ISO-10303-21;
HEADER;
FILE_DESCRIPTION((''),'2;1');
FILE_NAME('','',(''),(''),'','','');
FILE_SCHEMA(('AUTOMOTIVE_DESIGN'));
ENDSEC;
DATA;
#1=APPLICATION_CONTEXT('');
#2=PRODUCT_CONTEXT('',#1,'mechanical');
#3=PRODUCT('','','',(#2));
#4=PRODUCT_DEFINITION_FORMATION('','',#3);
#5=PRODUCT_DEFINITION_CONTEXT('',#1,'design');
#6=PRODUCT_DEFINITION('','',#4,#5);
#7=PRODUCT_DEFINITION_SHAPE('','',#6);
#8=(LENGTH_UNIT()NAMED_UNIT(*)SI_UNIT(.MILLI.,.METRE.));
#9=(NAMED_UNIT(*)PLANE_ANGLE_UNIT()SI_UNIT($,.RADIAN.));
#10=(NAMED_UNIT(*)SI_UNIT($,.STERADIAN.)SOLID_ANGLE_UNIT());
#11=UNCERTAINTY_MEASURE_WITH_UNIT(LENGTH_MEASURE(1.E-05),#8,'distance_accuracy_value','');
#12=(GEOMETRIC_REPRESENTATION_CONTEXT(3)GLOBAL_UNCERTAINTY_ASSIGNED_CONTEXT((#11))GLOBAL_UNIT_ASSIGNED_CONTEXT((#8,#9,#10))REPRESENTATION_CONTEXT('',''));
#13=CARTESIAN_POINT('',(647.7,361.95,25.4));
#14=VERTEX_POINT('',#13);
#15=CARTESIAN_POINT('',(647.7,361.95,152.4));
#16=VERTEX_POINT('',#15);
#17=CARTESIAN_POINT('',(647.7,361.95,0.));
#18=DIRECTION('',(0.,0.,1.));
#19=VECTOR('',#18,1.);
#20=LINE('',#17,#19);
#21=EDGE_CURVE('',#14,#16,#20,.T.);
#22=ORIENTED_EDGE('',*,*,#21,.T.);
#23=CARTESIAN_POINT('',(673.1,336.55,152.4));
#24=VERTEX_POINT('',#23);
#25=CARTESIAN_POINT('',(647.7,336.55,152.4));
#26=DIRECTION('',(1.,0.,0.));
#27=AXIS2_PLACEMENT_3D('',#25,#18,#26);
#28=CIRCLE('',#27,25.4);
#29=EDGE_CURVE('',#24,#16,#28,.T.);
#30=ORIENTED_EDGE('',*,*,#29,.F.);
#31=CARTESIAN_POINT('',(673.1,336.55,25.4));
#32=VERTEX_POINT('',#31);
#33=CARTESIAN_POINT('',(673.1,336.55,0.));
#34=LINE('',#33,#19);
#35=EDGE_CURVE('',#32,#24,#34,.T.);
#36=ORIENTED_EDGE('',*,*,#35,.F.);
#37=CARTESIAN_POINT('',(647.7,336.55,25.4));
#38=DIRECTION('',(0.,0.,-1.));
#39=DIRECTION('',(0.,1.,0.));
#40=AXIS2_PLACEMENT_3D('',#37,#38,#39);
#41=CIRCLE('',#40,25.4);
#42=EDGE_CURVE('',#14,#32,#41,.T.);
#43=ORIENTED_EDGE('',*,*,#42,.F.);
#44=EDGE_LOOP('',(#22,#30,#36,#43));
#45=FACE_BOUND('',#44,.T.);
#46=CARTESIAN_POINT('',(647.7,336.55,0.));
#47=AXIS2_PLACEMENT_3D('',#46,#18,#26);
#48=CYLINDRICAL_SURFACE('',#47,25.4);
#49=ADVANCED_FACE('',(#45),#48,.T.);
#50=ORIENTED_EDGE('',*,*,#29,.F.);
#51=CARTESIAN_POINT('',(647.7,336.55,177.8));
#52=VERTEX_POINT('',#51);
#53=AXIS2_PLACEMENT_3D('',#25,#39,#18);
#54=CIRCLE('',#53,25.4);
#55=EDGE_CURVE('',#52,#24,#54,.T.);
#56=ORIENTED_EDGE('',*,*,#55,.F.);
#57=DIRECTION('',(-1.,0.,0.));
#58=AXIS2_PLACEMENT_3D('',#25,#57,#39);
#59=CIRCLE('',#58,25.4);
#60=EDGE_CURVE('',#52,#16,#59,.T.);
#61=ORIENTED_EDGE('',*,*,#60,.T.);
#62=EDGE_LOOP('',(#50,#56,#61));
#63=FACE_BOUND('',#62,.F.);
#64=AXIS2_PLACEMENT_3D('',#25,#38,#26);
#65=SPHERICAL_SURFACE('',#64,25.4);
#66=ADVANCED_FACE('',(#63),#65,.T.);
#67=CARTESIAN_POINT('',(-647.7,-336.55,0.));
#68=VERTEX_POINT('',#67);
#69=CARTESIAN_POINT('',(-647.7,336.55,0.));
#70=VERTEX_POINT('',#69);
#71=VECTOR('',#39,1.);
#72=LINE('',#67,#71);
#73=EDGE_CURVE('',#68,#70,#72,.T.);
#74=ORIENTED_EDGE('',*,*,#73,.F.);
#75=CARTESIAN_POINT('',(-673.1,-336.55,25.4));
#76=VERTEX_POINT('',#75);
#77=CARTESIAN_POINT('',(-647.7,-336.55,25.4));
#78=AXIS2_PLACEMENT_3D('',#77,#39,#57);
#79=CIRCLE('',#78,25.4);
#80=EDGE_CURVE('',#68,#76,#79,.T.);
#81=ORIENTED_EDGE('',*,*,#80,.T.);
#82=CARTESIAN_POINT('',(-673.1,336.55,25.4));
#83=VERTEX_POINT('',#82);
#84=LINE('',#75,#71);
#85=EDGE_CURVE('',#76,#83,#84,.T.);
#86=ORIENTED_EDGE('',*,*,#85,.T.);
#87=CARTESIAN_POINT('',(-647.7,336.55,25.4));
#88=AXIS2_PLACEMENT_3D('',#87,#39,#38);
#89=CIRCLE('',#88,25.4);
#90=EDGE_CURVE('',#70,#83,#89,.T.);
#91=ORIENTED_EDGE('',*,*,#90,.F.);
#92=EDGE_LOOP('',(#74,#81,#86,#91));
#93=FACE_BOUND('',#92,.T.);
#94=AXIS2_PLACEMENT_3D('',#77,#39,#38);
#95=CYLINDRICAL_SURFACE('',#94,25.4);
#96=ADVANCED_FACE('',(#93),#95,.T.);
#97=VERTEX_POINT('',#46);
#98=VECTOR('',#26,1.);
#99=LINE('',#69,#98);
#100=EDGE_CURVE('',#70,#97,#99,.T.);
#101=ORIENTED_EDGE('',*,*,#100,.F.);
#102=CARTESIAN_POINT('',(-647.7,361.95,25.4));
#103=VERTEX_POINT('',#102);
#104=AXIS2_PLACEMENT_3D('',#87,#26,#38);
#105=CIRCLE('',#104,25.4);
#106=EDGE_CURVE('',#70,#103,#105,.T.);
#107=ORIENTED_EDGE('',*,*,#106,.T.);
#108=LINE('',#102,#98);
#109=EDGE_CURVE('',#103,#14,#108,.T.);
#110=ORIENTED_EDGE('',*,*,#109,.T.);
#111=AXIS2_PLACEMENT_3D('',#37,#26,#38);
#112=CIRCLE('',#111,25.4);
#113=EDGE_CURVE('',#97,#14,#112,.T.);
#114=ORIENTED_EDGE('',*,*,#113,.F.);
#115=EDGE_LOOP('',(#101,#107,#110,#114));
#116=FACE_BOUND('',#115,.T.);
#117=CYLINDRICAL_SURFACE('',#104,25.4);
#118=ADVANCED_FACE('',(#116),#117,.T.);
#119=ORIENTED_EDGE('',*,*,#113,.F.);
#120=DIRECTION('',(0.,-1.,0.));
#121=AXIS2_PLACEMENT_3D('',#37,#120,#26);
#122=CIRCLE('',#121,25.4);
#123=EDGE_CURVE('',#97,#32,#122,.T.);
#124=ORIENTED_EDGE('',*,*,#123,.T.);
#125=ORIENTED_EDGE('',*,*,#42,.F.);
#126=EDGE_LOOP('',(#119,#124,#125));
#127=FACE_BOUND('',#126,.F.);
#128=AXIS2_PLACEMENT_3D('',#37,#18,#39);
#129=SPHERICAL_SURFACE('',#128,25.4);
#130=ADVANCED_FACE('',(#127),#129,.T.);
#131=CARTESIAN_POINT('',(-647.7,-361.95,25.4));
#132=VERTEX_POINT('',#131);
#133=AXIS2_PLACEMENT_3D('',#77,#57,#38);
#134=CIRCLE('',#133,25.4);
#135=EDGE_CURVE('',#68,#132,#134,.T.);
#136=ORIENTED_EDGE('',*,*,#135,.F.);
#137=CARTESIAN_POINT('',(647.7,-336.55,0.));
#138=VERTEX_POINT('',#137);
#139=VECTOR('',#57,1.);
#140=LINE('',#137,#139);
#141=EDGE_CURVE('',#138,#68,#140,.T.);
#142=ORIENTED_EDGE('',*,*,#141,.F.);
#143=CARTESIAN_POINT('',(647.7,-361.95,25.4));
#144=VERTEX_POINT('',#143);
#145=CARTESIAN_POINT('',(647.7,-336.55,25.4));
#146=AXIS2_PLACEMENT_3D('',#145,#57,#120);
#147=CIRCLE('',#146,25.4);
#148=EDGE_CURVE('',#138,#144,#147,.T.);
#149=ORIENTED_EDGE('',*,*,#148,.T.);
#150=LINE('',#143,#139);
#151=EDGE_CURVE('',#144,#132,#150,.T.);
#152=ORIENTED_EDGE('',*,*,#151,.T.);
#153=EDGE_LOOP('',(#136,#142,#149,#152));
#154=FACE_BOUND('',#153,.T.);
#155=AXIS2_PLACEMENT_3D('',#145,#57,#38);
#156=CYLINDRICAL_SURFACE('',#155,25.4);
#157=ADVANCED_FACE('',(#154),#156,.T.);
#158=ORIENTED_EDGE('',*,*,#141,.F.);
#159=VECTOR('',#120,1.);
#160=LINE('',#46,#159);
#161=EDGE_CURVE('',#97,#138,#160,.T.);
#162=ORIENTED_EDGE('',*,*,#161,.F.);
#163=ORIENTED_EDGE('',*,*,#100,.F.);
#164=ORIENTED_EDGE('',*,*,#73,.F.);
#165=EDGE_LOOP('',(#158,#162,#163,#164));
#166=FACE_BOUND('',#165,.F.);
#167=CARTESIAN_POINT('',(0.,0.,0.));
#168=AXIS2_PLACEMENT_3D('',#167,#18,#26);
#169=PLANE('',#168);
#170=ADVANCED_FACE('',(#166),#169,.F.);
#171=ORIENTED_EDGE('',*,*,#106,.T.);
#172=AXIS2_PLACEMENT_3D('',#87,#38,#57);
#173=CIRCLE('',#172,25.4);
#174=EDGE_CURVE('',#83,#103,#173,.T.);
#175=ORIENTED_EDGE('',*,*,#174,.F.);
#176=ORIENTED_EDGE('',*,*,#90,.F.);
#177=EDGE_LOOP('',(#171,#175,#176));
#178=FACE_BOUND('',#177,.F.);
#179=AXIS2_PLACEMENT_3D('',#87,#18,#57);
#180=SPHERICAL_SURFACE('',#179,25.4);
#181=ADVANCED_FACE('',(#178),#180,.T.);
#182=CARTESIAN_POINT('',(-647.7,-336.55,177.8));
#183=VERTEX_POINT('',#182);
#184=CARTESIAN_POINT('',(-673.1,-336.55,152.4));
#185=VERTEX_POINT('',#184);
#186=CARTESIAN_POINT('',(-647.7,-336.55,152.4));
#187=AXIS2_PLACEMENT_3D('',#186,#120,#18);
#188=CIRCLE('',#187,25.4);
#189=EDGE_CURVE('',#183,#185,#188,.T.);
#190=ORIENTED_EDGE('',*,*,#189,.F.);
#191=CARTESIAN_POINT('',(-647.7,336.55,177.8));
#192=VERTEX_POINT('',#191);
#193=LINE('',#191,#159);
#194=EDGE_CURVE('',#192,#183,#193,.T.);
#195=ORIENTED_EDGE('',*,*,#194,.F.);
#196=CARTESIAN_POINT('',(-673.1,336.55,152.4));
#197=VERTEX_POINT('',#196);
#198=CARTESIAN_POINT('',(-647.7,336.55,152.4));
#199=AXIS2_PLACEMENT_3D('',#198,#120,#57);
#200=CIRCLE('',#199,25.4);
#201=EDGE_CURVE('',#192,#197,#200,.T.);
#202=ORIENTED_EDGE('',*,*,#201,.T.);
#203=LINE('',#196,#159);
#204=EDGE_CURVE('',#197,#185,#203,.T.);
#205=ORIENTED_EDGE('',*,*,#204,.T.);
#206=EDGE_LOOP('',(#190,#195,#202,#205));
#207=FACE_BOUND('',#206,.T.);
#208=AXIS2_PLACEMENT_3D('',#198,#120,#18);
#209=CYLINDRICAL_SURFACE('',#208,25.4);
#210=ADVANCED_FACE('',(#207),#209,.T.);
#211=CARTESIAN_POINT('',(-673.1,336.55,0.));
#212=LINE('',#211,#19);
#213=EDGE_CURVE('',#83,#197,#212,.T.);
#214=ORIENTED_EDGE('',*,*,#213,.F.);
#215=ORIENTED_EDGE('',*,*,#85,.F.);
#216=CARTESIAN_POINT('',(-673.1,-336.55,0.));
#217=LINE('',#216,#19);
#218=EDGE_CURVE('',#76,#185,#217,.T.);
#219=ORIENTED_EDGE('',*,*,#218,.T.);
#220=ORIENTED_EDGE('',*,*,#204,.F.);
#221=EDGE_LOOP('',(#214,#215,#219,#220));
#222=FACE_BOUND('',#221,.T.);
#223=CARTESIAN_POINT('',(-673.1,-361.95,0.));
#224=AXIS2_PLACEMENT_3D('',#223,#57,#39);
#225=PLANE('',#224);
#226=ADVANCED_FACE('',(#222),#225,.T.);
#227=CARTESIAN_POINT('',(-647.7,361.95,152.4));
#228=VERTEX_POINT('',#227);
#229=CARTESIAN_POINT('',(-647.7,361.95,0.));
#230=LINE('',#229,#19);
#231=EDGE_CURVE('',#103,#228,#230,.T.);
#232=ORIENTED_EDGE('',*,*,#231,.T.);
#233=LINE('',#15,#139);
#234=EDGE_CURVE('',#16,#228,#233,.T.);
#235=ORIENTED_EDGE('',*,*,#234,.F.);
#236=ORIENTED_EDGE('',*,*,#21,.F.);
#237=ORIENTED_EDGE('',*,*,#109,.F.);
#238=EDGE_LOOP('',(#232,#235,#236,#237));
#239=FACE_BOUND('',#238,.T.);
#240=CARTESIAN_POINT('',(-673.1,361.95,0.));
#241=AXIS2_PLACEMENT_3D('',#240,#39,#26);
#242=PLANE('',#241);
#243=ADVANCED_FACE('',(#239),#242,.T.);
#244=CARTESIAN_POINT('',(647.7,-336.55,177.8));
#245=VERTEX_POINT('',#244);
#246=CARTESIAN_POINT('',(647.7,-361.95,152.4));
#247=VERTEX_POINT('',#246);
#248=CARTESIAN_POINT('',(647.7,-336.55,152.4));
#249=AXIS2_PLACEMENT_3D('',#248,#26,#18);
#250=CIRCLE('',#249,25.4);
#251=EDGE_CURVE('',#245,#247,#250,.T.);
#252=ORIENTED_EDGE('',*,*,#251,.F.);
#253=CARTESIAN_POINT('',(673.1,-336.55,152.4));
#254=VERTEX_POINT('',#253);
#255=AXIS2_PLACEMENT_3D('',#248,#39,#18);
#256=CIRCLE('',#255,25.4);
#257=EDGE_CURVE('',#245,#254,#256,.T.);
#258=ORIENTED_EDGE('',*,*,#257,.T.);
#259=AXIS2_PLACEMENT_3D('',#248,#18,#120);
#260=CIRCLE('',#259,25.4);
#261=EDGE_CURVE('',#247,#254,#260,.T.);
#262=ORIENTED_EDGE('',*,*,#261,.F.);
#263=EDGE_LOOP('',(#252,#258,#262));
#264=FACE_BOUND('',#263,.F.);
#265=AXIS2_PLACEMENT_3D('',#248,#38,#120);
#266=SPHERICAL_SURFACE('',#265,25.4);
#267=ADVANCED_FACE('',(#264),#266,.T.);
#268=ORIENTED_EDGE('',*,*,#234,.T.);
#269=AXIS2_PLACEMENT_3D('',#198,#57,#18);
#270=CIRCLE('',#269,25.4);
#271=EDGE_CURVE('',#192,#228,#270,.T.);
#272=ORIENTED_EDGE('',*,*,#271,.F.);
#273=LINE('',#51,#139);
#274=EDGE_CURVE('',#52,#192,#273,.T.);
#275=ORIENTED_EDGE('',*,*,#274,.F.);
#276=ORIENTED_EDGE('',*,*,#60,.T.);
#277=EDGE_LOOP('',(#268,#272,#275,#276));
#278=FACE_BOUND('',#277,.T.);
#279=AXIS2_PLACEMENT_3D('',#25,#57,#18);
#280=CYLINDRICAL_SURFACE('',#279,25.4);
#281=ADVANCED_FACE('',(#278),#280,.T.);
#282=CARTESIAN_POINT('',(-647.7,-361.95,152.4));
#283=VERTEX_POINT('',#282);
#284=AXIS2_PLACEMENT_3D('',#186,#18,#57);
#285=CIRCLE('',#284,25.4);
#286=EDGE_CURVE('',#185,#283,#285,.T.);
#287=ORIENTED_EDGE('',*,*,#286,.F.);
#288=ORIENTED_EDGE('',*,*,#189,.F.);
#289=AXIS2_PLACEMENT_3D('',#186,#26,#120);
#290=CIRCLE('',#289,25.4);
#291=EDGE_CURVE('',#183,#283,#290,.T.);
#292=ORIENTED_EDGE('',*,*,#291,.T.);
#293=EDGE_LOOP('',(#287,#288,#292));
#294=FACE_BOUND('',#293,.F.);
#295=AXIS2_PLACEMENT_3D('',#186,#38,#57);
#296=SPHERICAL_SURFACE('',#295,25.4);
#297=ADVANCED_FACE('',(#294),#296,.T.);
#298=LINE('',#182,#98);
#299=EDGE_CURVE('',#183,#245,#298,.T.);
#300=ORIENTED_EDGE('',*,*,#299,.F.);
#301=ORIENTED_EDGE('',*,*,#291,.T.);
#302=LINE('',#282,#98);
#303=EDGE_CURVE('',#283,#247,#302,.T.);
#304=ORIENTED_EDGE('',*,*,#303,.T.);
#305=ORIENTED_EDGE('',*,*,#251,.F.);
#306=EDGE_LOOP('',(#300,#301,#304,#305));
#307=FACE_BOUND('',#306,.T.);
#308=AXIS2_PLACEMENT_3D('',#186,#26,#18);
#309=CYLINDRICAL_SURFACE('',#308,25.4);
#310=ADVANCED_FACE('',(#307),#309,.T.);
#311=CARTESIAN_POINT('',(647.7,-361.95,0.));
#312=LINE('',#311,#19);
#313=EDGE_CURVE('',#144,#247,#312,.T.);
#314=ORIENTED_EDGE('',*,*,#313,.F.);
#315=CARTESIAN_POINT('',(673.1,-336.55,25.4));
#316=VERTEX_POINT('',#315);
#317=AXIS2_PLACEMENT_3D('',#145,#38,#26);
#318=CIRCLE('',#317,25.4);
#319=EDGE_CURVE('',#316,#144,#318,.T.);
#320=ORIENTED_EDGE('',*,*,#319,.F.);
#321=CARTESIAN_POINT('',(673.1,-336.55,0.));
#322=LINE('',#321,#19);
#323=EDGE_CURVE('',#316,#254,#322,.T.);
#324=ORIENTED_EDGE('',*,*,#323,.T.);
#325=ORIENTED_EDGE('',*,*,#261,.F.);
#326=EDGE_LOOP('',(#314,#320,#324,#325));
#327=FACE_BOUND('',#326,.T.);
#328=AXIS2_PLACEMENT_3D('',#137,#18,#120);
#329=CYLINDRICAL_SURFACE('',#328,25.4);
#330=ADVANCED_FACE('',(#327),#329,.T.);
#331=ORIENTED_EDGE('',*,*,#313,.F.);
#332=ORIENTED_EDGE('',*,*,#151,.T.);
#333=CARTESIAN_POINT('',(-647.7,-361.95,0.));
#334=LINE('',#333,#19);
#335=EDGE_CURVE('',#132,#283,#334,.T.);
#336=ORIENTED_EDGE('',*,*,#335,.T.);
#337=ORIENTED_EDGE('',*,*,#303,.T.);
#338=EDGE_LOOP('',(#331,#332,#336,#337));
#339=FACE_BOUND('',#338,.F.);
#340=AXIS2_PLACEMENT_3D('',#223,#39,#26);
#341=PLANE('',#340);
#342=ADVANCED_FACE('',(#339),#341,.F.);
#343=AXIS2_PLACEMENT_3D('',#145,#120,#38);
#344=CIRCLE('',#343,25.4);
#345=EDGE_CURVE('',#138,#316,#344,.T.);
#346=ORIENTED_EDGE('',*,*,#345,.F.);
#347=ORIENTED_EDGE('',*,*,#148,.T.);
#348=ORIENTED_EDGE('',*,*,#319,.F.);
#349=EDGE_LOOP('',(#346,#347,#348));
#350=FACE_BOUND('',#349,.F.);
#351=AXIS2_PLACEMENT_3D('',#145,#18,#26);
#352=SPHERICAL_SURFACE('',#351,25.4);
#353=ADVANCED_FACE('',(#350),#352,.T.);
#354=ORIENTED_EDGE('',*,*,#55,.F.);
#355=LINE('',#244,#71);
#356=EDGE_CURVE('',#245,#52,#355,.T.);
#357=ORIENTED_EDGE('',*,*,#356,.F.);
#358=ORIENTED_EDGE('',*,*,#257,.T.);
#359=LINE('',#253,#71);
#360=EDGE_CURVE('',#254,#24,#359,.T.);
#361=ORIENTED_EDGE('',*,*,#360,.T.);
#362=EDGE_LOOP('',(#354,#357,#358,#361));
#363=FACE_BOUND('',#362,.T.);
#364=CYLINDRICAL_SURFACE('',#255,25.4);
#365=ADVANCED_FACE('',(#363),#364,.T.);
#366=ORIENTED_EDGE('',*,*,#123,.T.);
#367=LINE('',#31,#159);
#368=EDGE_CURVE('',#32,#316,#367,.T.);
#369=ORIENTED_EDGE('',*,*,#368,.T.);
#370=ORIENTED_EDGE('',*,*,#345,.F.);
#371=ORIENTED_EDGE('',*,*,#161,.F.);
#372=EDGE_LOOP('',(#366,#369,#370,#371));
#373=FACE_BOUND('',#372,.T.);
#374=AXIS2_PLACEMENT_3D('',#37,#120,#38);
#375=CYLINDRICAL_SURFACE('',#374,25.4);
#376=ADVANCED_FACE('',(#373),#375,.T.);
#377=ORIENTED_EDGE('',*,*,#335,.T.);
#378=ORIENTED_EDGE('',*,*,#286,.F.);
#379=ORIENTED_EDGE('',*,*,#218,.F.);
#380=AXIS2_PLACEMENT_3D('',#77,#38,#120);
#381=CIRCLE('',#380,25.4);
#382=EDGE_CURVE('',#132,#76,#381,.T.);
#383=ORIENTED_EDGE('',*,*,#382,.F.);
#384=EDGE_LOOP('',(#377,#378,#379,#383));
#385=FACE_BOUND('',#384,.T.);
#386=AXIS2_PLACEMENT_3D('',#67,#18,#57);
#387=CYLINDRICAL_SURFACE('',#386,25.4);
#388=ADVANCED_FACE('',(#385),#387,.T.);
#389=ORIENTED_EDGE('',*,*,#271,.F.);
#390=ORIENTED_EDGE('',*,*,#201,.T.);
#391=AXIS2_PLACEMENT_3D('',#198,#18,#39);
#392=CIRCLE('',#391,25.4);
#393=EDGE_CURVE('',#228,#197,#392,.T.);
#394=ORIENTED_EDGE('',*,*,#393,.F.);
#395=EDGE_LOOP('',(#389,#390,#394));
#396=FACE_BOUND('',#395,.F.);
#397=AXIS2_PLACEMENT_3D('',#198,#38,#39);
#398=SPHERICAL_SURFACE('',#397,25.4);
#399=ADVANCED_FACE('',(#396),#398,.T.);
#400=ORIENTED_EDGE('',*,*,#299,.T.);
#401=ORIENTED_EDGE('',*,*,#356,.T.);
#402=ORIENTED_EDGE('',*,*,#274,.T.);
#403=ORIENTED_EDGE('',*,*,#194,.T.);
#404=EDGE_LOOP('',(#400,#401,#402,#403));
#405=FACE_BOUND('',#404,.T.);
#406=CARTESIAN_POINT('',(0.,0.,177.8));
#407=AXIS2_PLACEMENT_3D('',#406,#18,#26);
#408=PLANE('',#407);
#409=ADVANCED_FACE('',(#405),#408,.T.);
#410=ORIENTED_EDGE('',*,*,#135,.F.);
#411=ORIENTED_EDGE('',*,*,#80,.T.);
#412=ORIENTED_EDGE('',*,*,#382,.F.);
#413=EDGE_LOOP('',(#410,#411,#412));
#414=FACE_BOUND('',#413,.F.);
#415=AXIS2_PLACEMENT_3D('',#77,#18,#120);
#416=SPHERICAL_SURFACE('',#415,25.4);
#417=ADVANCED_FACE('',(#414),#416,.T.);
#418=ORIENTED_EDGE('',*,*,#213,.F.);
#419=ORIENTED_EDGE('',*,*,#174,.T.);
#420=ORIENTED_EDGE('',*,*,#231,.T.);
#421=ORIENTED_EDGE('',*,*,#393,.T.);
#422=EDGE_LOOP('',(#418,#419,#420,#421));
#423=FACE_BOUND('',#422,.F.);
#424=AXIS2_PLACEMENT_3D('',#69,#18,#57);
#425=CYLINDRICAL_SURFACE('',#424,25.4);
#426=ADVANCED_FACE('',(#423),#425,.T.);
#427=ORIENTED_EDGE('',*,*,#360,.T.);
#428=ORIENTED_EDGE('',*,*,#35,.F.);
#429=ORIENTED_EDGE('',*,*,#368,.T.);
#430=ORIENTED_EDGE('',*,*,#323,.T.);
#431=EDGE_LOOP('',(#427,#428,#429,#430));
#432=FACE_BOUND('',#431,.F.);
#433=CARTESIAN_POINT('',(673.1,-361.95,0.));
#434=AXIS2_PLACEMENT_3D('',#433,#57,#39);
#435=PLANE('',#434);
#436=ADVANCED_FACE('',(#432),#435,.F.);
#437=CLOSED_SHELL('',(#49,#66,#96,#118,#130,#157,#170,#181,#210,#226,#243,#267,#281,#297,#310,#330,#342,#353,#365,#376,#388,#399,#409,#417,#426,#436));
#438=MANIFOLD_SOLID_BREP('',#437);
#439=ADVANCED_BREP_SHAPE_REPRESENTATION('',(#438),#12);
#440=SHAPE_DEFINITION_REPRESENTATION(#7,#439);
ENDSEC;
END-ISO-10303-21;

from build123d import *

# Parameters (mm, degrees)
SKETCH_W    = 1346.2
SKETCH_H    = 723.9
PAD_DEPTH   = 177.8
FILLET_R    = 25.4
FILLET001_R = 25.4


with BuildPart() as part:
    # Sketch → Pad (new body)
    with BuildSketch(Plane.XY):
        Rectangle(SKETCH_W, SKETCH_H)
    extrude(amount=PAD_DEPTH)

    # Fillet
    fillet_edges = [part.edges().sort_by_distance(p)[0] for p in [
        (673.1, -361.95, 88.9),
        (-673.1, -361.95, 88.9),
        (673.1, 361.95, 88.9),
        (-673.1, 361.95, 88.9),
    ]]
    fillet(fillet_edges, radius=FILLET_R)

    # Fillet001
    fillet001_edges = [part.edges().sort_by_distance(p)[0] for p in [
        (0, 361.95, 0),
        (673.1, 0, 0),
        (0, -361.95, 0),
        (-673.1, 0, 0),
        (673.1, 0, 177.8),
        (0, -361.95, 177.8),
        (0, 361.95, 177.8),
        (-673.1, 0, 177.8),
    ]]
    fillet(fillet001_edges, radius=FILLET001_R)


solid = part.part
